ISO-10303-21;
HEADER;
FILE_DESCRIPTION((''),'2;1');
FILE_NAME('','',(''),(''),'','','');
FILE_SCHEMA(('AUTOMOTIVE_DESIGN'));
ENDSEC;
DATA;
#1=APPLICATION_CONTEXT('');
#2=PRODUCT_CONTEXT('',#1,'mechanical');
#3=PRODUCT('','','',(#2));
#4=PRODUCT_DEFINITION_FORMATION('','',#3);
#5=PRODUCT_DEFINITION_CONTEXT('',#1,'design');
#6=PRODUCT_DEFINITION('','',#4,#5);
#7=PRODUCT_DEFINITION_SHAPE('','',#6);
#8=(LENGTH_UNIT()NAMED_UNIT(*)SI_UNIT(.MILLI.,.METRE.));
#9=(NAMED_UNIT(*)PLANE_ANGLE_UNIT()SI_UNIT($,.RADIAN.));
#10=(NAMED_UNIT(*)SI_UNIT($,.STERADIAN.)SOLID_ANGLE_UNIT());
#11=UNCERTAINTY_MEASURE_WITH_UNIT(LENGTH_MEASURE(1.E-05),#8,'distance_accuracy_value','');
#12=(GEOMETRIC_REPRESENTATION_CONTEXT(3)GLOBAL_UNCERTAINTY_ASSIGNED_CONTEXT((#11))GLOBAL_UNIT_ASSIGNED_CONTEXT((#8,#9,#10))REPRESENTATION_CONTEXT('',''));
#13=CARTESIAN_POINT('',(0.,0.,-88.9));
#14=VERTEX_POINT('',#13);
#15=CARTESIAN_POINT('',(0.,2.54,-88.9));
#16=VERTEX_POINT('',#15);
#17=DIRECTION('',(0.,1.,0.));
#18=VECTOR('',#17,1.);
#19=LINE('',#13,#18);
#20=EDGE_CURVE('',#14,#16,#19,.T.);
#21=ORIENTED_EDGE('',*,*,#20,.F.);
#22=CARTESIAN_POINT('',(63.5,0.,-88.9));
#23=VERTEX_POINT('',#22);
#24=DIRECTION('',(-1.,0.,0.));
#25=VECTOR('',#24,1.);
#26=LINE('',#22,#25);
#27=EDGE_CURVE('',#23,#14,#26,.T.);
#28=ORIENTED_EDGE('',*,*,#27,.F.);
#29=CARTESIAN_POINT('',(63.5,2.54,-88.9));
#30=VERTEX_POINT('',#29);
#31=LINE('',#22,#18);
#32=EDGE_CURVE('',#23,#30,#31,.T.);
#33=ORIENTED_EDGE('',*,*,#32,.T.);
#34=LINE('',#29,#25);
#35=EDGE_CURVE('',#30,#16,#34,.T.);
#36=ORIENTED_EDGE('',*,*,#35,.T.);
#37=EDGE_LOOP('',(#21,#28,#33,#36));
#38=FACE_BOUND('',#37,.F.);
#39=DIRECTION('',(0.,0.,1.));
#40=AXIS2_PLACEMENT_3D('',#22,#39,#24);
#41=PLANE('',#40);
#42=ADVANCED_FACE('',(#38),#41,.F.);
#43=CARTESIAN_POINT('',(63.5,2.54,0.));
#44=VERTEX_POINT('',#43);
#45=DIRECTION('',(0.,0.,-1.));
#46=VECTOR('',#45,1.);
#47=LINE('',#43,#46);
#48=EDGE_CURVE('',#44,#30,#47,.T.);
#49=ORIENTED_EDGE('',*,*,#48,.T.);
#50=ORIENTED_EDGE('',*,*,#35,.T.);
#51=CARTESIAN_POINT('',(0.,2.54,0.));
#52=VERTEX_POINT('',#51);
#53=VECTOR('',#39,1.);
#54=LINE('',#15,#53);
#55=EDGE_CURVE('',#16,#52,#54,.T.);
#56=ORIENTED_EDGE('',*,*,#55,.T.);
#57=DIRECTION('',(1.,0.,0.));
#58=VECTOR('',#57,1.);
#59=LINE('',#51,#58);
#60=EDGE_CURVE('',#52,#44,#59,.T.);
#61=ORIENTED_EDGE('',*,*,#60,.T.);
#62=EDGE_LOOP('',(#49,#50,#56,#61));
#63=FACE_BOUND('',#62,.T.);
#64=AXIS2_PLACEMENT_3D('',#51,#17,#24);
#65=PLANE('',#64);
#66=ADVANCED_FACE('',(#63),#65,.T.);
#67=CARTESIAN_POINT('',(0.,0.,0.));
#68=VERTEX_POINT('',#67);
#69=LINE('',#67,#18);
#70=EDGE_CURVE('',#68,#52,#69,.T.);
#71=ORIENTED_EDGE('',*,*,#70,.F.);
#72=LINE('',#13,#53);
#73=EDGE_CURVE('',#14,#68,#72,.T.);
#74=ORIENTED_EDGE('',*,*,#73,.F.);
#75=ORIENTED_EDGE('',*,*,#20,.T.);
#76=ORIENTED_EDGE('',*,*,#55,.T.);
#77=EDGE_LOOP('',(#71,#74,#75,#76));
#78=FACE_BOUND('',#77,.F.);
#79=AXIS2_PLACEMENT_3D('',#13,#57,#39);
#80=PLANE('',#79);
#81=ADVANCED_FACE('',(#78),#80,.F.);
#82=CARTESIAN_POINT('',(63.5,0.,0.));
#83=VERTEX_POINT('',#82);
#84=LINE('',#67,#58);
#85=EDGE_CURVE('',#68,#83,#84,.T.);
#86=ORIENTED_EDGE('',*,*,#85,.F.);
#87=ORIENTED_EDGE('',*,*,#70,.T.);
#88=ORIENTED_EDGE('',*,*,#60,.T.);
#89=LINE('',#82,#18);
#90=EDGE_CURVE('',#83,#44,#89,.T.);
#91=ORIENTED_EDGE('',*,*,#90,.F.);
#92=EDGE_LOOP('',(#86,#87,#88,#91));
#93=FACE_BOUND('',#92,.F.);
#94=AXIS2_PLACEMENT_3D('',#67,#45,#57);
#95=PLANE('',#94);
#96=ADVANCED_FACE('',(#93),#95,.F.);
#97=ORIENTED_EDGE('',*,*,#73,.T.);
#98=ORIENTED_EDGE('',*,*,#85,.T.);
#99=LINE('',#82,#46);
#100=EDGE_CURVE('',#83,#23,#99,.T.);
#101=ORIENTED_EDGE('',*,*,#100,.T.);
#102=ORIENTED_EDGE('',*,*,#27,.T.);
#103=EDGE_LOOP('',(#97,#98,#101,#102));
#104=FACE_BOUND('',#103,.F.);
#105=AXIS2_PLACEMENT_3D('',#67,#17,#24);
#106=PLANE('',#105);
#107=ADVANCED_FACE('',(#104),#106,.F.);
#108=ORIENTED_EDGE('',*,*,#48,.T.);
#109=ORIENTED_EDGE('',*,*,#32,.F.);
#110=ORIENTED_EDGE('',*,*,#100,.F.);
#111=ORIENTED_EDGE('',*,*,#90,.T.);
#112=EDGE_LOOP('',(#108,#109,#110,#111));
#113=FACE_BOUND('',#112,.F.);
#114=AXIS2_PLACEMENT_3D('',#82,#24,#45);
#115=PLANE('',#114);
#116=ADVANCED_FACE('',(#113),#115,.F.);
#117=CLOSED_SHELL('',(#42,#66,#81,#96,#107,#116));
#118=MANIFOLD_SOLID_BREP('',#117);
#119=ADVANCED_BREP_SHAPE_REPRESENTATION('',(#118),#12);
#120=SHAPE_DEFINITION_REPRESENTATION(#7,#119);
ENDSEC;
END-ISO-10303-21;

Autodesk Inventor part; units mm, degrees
ref_plane "YZ Plane" through (0, 0, 0) normal (1, 0, 0) x (0, 1, 0)
ref_plane "XZ Plane" through (0, 0, 0) normal (0, 1, 0) x (-1, 0, 0)
ref_plane "XY Plane" through (0, 0, 0) normal (0, 0, 1) x (1, 0, 0)
sketch "Sketch1" plane through (0, 0, 0) normal (0, 1, 0) x (-1, 0, 0)
  line L0 (0, 0) -> (-63.5, 0)
  line L1 (-63.5, 0) -> (-63.5, -88.9)
  line L2 (-63.5, -88.9) -> (0, -88.9)
  line L3 (0, -88.9) -> (0, 0)
  dimension "d0" = 63.5
  dimension "d1" = 88.9
extrude "Extrusion1" add sketch "Sketch1" along normal blind 2.54
properties part number "Card"
